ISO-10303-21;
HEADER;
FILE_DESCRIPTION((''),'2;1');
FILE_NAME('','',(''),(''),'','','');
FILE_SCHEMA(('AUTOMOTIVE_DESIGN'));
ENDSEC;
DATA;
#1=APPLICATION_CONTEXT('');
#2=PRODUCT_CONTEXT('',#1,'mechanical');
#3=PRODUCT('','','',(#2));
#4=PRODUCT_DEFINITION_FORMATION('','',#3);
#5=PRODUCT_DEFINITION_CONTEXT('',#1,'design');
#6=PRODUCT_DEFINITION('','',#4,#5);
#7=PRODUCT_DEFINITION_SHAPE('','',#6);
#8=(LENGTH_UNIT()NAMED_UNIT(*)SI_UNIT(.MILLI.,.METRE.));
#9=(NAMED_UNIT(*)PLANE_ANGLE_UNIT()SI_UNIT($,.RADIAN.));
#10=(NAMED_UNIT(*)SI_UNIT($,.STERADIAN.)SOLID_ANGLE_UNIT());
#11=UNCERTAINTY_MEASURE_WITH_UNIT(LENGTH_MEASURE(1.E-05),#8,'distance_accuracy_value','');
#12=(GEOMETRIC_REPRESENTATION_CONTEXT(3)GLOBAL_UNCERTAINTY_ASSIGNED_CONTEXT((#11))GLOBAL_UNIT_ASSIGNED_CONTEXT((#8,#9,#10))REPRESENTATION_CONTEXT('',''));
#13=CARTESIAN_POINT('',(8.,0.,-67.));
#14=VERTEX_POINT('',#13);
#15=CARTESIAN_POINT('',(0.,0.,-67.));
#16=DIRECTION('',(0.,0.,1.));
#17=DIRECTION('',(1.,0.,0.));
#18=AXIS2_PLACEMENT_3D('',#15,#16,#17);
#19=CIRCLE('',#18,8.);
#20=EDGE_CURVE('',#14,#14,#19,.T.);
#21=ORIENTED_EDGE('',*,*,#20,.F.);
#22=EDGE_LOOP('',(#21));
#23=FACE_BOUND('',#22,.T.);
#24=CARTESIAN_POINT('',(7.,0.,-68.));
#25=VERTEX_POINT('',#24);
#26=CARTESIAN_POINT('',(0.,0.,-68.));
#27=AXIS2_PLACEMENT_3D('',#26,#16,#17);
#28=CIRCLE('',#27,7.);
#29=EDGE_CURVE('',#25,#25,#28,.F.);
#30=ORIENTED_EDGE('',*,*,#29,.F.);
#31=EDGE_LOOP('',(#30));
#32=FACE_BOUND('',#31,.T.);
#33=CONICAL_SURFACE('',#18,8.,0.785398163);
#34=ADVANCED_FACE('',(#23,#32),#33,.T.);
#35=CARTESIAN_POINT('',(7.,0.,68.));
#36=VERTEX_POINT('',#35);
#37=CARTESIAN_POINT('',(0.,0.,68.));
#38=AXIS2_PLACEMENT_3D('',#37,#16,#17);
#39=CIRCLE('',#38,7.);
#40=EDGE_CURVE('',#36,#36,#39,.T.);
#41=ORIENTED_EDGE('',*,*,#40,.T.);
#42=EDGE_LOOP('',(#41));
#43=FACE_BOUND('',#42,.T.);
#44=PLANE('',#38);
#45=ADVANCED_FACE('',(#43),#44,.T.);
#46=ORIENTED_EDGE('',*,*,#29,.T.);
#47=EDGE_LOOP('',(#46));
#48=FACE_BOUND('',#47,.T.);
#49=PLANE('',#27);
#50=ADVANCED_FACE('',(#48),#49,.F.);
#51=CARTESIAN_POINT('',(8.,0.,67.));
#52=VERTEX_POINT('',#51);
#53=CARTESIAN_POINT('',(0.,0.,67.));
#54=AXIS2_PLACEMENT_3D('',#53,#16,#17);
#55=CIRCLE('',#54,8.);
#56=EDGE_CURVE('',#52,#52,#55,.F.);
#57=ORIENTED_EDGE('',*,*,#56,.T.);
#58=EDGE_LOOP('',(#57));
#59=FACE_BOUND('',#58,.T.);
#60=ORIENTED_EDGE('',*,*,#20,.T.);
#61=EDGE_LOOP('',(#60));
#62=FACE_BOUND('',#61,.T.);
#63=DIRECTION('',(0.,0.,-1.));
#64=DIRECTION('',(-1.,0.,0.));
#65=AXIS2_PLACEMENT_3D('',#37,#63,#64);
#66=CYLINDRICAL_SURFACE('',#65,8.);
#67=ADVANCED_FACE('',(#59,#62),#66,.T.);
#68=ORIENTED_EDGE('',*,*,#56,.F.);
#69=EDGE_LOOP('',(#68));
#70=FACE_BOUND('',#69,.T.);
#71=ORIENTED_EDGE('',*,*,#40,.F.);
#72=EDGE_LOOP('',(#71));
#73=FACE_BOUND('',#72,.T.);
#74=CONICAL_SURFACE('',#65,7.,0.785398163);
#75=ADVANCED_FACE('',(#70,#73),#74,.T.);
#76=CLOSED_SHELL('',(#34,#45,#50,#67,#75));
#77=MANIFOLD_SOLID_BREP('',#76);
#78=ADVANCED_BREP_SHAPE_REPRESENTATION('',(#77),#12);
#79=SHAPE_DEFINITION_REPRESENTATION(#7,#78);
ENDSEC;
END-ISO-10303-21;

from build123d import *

# Parameters (mm, degrees)
SKETCH2_R           = 8
BOSS_EXTRUDE1_DEPTH = 68
CHAMFER1_SIZE       = 1


with BuildPart() as part:
    # Sketch2 → Boss-Extrude1 (new body, symmetric)
    with BuildSketch(Plane.XY):
        Circle(SKETCH2_R)
    extrude(amount=BOSS_EXTRUDE1_DEPTH, both=True)

    # Chamfer1
    chamfer1_edges = [part.edges().sort_by_distance(p)[0] for p in [
        (-8, 0, -68),
        (-8, 0, 68),
    ]]
    chamfer(chamfer1_edges, length=CHAMFER1_SIZE)


solid = part.part
